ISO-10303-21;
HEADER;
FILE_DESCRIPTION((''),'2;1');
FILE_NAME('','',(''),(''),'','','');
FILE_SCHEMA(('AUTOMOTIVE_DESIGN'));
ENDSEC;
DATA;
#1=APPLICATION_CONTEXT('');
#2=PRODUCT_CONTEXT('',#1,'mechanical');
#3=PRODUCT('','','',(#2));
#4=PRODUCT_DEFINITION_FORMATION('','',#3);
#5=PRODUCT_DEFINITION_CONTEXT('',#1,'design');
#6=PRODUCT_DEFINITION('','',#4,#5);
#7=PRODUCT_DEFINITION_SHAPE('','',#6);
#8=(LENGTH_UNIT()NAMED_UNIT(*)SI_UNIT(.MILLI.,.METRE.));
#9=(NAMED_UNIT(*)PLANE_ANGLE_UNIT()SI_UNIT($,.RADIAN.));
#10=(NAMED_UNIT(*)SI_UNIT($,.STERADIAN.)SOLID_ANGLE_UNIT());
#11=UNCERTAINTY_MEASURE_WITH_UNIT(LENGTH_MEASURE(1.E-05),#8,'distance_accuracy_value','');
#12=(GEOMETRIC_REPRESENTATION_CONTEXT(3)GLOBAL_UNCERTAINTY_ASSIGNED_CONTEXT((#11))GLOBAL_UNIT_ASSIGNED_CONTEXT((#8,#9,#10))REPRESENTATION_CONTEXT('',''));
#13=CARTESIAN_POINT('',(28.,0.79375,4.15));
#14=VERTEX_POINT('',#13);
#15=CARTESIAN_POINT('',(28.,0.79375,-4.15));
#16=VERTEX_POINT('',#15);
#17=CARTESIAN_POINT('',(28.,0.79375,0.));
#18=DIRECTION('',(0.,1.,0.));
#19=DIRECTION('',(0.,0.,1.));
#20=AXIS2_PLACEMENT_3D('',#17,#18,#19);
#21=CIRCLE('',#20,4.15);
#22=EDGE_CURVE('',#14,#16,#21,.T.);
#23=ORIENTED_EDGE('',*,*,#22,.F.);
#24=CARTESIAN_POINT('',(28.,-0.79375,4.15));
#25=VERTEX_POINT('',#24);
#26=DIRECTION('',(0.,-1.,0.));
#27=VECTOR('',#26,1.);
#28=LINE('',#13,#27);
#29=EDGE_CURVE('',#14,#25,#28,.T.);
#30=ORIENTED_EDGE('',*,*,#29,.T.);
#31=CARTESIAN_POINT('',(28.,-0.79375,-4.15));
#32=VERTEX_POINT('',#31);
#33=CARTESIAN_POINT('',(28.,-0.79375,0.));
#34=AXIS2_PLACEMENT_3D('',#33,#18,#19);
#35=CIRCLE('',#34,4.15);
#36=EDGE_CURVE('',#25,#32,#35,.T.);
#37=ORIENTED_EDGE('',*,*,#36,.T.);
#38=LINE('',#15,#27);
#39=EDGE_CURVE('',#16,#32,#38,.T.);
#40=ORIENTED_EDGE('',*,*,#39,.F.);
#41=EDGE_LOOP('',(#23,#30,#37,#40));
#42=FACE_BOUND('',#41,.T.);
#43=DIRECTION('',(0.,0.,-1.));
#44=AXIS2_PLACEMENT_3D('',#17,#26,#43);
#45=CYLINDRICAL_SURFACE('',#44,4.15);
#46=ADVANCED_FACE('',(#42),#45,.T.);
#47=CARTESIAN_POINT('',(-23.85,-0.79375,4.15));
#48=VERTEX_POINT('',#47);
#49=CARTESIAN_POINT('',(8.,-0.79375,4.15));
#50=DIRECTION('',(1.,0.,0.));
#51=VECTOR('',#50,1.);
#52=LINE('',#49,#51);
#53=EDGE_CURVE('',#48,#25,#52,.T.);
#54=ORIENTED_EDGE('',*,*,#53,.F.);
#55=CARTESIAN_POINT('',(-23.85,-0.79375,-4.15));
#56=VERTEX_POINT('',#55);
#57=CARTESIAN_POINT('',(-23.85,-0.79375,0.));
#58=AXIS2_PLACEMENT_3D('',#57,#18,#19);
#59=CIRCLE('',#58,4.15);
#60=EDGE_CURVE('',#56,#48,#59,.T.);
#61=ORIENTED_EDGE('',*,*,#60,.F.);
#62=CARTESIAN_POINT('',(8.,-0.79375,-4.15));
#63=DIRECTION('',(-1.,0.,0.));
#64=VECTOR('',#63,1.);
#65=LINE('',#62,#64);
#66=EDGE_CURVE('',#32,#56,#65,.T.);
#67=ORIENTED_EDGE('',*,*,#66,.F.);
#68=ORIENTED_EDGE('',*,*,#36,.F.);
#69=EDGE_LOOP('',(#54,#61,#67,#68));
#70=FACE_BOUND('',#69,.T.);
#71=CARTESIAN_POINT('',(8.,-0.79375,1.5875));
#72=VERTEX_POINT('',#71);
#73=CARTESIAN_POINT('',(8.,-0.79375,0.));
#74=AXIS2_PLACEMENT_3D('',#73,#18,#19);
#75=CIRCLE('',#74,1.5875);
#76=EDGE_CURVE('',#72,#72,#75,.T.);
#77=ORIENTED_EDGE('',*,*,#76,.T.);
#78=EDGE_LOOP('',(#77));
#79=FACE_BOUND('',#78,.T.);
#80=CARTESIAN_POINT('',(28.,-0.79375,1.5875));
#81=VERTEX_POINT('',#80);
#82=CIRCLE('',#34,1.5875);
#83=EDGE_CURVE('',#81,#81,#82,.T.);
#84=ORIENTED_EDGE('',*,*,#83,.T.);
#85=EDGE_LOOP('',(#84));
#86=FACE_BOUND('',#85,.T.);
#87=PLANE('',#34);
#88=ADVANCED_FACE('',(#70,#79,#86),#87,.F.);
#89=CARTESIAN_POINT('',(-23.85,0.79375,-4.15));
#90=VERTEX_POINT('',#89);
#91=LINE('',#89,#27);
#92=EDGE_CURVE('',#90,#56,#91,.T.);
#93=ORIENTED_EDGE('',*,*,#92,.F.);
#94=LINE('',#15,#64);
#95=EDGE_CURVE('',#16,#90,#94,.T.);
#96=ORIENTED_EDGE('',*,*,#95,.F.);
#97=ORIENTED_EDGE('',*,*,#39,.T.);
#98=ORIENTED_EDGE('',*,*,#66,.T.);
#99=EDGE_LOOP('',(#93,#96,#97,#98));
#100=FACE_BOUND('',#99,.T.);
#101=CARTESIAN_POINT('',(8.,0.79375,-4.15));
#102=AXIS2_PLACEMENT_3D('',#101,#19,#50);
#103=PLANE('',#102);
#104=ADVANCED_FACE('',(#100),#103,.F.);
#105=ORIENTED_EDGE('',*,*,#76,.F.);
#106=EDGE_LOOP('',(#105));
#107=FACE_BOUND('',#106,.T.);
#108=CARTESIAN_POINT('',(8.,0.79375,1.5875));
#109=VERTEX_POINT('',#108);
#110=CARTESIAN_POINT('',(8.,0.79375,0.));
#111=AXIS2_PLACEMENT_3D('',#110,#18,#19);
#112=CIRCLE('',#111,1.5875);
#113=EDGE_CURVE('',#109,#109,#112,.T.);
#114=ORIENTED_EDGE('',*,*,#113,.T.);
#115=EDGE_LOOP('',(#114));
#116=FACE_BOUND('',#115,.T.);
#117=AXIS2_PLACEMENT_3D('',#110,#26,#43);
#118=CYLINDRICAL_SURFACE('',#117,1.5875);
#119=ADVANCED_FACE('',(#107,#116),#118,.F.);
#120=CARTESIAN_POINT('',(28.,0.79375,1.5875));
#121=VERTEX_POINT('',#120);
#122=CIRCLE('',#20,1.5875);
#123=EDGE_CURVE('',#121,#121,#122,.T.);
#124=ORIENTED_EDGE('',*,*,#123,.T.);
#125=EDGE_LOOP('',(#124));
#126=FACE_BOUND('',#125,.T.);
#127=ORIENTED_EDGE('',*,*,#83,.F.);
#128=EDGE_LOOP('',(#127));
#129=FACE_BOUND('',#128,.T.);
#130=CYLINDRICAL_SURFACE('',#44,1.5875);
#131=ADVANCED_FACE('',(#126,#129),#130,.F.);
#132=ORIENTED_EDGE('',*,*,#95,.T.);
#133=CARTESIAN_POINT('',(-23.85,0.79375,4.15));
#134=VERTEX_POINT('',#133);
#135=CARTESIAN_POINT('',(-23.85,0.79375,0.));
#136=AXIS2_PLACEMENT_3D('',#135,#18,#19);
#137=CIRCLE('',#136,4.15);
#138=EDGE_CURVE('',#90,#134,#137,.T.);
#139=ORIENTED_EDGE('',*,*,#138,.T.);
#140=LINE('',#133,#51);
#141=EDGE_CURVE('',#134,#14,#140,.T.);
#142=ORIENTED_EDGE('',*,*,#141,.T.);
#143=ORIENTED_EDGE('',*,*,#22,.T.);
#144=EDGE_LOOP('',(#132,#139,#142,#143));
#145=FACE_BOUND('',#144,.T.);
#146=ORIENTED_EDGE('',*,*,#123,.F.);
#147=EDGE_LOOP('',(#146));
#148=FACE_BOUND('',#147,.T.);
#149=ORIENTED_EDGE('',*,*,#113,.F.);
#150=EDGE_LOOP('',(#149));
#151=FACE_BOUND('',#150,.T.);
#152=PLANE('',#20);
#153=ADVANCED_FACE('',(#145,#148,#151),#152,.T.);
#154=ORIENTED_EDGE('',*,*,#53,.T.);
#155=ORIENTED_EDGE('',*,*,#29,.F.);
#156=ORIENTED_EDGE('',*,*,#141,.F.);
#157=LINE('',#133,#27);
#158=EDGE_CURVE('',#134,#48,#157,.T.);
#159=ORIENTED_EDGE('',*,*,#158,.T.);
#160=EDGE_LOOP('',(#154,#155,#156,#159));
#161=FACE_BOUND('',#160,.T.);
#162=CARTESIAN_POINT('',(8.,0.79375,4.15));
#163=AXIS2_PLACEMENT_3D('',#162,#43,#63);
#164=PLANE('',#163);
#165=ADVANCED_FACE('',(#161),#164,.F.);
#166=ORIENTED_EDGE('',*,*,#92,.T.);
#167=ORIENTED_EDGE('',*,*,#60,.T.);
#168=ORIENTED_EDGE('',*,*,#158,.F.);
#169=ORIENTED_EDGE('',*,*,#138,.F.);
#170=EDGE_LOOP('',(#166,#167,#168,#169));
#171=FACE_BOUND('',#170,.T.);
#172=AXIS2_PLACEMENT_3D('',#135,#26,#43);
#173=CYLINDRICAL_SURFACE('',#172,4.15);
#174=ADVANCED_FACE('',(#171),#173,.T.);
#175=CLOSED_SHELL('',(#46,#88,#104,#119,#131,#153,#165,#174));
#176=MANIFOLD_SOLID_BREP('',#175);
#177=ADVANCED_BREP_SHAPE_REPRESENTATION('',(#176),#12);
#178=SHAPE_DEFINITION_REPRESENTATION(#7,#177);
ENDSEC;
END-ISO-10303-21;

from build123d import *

# Parameters (mm, degrees)
SKETCH1_R           = 1.5875
BOSS_EXTRUDE1_DEPTH = 0.79375


with BuildPart() as part:
    # Sketch1 → Boss-Extrude1 (new, symmetric)
    with BuildSketch(Plane(origin=(0, 0, 0), x_dir=(1, 0, 0), z_dir=(0, 1, 0))):
        with BuildLine():
            Line((28, 4.15), (8, 4.15))
            Line((8, 4.15), (-23.85, 4.15))
            ThreePointArc((-23.85, 4.15), (-28, 0), (-23.85, -4.15))
            Line((-23.85, -4.15), (8, -4.15))
            Line((8, -4.15), (28, -4.15))
            ThreePointArc((28, -4.15), (32.15, 0), (28, 4.15))
        make_face()
        with Locations(Location((8, 0, 0), (0, 0, 270))):
            Circle(SKETCH1_R, mode=Mode.SUBTRACT)
        with Locations(Location((28, 0, 0), (0, 0, 270))):
            Circle(SKETCH1_R, mode=Mode.SUBTRACT)
    extrude(amount=BOSS_EXTRUDE1_DEPTH, both=True)


solid = part.part
